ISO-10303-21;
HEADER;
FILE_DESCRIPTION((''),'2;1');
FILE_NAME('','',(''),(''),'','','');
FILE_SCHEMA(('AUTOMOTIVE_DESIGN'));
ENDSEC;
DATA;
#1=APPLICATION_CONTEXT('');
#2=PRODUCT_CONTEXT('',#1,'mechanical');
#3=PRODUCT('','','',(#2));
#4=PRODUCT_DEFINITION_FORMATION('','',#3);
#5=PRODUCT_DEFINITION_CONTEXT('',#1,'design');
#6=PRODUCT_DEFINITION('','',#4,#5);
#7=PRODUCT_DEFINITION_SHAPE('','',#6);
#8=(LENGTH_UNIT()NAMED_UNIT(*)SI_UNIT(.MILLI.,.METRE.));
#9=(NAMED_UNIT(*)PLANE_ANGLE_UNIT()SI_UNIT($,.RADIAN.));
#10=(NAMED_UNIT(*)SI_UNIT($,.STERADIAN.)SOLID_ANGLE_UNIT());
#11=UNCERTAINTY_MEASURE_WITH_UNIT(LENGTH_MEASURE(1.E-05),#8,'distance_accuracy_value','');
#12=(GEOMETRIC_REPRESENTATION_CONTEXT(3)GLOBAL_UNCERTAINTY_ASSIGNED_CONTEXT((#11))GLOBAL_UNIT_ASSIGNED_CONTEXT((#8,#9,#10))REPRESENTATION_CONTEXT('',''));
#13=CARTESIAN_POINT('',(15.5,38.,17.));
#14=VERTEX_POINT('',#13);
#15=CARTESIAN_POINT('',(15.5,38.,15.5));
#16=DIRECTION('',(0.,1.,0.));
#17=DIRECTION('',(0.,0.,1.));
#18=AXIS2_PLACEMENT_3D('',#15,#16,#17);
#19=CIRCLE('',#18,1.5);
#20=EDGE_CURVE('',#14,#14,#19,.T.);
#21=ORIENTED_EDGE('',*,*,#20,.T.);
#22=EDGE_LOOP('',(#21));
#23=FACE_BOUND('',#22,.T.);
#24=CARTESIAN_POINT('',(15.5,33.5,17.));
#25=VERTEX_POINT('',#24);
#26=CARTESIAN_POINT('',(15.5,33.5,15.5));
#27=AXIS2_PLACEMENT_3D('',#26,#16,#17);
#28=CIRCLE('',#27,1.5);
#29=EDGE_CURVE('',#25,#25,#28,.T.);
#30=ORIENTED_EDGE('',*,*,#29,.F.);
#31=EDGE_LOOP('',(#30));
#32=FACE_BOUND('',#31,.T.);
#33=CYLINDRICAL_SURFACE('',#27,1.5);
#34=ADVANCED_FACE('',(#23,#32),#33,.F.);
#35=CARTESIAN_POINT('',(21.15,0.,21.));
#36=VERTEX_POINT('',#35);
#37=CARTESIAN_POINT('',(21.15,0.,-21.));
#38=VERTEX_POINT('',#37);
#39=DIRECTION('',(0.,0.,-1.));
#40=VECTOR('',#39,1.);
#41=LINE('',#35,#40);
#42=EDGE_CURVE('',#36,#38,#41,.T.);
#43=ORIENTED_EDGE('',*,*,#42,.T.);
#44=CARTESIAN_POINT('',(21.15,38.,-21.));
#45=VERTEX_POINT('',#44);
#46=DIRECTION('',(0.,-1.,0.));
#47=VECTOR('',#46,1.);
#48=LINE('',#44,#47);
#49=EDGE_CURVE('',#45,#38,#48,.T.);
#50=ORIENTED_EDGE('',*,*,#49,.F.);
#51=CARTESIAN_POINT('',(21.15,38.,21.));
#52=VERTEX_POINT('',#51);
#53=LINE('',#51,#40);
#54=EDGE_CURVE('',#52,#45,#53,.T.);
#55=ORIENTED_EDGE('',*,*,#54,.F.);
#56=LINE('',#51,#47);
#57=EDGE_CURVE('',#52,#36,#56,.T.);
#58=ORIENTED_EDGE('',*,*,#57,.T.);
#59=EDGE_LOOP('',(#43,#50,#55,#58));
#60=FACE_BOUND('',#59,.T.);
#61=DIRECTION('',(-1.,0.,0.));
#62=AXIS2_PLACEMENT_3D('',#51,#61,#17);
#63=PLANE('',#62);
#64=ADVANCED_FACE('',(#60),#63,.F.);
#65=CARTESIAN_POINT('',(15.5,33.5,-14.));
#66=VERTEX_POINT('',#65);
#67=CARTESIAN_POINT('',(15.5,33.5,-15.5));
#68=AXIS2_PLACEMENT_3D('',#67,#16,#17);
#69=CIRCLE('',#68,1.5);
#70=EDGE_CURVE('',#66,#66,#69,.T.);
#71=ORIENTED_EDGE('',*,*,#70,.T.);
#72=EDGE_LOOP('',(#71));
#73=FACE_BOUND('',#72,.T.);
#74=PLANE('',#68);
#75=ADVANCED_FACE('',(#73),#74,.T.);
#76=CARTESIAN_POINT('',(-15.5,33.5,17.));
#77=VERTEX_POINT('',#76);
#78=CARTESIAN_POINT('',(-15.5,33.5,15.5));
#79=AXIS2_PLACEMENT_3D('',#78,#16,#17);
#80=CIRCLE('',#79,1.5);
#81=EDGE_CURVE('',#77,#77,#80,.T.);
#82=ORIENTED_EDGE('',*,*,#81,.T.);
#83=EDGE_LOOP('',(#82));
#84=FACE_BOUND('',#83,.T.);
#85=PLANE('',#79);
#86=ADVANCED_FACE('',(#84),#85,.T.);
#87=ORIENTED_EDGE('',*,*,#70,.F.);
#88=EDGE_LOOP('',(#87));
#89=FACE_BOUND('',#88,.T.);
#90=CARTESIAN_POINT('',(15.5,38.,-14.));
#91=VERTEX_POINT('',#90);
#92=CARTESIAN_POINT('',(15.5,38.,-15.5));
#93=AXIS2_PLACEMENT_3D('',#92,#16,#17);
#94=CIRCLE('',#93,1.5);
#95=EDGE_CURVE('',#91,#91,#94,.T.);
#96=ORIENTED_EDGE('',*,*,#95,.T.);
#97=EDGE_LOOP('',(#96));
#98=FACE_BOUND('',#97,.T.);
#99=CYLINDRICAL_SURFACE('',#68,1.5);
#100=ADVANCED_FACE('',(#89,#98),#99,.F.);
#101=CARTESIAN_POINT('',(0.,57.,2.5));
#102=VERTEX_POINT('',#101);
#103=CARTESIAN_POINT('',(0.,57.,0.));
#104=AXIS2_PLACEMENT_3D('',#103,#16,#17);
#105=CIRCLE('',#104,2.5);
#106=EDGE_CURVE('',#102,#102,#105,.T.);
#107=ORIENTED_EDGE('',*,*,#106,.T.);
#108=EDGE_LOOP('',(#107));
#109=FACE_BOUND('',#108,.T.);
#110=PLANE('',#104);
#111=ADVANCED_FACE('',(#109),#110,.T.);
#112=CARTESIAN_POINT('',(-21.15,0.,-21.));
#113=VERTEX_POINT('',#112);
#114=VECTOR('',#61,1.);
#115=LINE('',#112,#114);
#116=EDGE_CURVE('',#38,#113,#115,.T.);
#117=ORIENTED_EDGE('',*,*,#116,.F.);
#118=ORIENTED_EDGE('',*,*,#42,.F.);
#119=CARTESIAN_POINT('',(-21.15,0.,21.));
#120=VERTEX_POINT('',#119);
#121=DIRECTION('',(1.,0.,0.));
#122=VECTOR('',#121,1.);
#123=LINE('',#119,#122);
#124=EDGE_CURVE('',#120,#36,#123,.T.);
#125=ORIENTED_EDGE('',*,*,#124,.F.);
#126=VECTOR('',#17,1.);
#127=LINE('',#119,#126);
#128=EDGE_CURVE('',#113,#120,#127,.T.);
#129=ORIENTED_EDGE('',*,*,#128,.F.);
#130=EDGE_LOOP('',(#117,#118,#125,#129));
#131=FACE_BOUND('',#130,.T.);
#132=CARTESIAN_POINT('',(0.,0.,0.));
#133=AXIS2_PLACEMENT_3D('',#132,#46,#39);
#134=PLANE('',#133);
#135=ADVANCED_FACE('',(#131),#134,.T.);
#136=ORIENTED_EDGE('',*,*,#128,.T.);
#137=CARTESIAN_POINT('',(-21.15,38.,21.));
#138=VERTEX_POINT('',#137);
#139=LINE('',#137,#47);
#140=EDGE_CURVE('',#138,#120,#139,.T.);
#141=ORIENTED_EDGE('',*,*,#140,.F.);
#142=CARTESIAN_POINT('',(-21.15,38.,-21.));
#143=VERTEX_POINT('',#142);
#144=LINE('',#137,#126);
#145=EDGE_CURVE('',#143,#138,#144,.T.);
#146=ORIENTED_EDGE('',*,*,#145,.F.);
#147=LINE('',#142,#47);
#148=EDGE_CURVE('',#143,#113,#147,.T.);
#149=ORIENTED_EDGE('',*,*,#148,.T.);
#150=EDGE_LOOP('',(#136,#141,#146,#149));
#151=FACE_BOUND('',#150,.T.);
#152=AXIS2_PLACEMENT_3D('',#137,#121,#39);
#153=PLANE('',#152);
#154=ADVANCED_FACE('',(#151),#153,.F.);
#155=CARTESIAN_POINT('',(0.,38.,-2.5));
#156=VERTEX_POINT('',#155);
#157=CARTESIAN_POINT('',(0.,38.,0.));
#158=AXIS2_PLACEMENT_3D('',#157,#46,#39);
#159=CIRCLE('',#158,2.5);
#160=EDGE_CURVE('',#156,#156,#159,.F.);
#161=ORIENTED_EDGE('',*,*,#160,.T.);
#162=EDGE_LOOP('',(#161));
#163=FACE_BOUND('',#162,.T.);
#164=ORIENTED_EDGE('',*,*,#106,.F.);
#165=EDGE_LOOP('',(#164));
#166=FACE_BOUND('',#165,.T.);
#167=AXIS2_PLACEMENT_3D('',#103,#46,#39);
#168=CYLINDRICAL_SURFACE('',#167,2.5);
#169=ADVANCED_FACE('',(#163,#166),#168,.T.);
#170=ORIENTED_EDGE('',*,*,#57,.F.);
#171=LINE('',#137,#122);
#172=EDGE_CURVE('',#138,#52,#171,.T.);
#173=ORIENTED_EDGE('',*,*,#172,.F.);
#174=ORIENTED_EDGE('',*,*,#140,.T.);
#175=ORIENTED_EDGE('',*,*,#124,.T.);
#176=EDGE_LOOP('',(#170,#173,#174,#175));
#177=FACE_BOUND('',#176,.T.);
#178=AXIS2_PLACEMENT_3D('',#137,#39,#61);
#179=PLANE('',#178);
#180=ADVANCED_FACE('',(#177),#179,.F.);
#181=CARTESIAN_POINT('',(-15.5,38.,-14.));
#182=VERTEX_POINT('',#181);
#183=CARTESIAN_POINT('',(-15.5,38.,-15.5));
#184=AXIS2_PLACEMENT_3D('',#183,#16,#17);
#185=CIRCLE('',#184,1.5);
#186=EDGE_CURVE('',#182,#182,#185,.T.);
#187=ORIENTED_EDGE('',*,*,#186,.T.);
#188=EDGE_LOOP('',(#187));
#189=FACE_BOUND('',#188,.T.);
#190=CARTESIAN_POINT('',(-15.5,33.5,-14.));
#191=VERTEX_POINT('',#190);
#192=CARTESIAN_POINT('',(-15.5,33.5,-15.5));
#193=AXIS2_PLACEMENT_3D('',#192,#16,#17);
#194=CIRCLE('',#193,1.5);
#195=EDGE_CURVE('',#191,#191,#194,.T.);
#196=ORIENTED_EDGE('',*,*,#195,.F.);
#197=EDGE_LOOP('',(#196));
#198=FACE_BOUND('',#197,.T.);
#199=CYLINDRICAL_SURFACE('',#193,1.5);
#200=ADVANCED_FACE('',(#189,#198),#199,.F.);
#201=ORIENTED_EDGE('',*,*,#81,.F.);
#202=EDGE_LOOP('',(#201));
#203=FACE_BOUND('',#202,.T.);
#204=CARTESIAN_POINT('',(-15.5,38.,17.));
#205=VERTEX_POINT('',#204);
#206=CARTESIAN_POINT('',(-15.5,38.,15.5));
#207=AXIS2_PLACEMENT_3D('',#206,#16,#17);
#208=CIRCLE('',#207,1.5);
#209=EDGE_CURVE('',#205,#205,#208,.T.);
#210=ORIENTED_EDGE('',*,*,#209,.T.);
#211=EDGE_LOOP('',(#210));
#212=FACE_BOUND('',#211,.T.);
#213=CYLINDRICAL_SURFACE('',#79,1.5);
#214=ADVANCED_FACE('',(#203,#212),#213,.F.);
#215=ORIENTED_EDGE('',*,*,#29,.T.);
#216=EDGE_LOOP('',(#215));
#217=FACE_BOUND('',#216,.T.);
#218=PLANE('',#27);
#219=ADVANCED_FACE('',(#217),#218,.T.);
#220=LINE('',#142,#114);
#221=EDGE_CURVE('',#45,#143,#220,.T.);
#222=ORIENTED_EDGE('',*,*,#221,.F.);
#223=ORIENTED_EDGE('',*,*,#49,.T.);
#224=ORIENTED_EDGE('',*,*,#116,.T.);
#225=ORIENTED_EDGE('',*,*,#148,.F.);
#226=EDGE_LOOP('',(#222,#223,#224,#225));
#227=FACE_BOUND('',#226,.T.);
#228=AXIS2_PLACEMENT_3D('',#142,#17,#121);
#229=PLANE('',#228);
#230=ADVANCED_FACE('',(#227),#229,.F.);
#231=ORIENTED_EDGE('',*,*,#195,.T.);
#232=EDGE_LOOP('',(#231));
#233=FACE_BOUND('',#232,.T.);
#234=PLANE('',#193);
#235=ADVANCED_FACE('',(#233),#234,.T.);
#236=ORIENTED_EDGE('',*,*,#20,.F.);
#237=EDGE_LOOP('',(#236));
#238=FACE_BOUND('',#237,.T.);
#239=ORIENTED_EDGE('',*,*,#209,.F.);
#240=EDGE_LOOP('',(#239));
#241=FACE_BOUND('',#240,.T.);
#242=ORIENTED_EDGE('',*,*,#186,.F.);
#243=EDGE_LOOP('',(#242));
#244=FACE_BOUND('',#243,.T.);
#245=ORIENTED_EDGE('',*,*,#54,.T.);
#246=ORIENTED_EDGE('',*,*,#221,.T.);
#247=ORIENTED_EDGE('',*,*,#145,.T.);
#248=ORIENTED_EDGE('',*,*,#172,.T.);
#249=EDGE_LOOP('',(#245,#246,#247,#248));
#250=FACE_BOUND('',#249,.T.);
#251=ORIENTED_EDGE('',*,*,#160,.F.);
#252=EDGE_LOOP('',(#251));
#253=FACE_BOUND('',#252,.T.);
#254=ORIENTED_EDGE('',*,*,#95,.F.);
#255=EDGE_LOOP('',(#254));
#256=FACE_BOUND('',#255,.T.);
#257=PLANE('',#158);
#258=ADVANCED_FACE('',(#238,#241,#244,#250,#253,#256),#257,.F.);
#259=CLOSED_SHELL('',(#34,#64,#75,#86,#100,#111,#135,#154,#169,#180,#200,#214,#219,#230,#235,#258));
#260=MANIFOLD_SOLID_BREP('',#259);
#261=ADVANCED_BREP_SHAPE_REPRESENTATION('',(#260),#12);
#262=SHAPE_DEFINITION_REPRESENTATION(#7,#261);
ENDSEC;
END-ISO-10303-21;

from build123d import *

# Parameters (mm, degrees)
SKETCH1_W           = 42.3
SKETCH1_H           = 42
BOSS_EXTRUDE1_DEPTH = 38
SKETCH2_R           = 2.5
BOSS_EXTRUDE2_DEPTH = 19
SKETCH3_R           = 1.5
CUT_EXTRUDE1_DEPTH  = 4.5


with BuildPart() as part:
    # Sketch1 → Boss-Extrude1 (new body)
    with BuildSketch(Plane(origin=(0, 0, 0), x_dir=(1, 0, 0), z_dir=(0, 1, 0))):
        Rectangle(SKETCH1_W, SKETCH1_H)
    extrude(amount=BOSS_EXTRUDE1_DEPTH)

    # Sketch2 → Boss-Extrude2 (add)
    with BuildSketch(Plane(origin=(0, 38, 0), x_dir=(1, 0, 0), z_dir=(0, 1, 0))):
        Circle(SKETCH2_R)
    extrude(amount=BOSS_EXTRUDE2_DEPTH)

    # Sketch3 → Cut-Extrude1 (cut)
    with BuildSketch(Plane(origin=(0, 38, 0), x_dir=(1, 0, 0), z_dir=(0, 1, 0))):
        with Locations((-15.5, 15.5)):
            Circle(SKETCH3_R)
        with Locations((15.5, 15.5)):
            Circle(SKETCH3_R)
        with Locations((15.5, -15.5)):
            Circle(SKETCH3_R)
        with Locations((-15.5, -15.5)):
            Circle(SKETCH3_R)
    extrude(amount=-CUT_EXTRUDE1_DEPTH, mode=Mode.SUBTRACT)


solid = part.part
